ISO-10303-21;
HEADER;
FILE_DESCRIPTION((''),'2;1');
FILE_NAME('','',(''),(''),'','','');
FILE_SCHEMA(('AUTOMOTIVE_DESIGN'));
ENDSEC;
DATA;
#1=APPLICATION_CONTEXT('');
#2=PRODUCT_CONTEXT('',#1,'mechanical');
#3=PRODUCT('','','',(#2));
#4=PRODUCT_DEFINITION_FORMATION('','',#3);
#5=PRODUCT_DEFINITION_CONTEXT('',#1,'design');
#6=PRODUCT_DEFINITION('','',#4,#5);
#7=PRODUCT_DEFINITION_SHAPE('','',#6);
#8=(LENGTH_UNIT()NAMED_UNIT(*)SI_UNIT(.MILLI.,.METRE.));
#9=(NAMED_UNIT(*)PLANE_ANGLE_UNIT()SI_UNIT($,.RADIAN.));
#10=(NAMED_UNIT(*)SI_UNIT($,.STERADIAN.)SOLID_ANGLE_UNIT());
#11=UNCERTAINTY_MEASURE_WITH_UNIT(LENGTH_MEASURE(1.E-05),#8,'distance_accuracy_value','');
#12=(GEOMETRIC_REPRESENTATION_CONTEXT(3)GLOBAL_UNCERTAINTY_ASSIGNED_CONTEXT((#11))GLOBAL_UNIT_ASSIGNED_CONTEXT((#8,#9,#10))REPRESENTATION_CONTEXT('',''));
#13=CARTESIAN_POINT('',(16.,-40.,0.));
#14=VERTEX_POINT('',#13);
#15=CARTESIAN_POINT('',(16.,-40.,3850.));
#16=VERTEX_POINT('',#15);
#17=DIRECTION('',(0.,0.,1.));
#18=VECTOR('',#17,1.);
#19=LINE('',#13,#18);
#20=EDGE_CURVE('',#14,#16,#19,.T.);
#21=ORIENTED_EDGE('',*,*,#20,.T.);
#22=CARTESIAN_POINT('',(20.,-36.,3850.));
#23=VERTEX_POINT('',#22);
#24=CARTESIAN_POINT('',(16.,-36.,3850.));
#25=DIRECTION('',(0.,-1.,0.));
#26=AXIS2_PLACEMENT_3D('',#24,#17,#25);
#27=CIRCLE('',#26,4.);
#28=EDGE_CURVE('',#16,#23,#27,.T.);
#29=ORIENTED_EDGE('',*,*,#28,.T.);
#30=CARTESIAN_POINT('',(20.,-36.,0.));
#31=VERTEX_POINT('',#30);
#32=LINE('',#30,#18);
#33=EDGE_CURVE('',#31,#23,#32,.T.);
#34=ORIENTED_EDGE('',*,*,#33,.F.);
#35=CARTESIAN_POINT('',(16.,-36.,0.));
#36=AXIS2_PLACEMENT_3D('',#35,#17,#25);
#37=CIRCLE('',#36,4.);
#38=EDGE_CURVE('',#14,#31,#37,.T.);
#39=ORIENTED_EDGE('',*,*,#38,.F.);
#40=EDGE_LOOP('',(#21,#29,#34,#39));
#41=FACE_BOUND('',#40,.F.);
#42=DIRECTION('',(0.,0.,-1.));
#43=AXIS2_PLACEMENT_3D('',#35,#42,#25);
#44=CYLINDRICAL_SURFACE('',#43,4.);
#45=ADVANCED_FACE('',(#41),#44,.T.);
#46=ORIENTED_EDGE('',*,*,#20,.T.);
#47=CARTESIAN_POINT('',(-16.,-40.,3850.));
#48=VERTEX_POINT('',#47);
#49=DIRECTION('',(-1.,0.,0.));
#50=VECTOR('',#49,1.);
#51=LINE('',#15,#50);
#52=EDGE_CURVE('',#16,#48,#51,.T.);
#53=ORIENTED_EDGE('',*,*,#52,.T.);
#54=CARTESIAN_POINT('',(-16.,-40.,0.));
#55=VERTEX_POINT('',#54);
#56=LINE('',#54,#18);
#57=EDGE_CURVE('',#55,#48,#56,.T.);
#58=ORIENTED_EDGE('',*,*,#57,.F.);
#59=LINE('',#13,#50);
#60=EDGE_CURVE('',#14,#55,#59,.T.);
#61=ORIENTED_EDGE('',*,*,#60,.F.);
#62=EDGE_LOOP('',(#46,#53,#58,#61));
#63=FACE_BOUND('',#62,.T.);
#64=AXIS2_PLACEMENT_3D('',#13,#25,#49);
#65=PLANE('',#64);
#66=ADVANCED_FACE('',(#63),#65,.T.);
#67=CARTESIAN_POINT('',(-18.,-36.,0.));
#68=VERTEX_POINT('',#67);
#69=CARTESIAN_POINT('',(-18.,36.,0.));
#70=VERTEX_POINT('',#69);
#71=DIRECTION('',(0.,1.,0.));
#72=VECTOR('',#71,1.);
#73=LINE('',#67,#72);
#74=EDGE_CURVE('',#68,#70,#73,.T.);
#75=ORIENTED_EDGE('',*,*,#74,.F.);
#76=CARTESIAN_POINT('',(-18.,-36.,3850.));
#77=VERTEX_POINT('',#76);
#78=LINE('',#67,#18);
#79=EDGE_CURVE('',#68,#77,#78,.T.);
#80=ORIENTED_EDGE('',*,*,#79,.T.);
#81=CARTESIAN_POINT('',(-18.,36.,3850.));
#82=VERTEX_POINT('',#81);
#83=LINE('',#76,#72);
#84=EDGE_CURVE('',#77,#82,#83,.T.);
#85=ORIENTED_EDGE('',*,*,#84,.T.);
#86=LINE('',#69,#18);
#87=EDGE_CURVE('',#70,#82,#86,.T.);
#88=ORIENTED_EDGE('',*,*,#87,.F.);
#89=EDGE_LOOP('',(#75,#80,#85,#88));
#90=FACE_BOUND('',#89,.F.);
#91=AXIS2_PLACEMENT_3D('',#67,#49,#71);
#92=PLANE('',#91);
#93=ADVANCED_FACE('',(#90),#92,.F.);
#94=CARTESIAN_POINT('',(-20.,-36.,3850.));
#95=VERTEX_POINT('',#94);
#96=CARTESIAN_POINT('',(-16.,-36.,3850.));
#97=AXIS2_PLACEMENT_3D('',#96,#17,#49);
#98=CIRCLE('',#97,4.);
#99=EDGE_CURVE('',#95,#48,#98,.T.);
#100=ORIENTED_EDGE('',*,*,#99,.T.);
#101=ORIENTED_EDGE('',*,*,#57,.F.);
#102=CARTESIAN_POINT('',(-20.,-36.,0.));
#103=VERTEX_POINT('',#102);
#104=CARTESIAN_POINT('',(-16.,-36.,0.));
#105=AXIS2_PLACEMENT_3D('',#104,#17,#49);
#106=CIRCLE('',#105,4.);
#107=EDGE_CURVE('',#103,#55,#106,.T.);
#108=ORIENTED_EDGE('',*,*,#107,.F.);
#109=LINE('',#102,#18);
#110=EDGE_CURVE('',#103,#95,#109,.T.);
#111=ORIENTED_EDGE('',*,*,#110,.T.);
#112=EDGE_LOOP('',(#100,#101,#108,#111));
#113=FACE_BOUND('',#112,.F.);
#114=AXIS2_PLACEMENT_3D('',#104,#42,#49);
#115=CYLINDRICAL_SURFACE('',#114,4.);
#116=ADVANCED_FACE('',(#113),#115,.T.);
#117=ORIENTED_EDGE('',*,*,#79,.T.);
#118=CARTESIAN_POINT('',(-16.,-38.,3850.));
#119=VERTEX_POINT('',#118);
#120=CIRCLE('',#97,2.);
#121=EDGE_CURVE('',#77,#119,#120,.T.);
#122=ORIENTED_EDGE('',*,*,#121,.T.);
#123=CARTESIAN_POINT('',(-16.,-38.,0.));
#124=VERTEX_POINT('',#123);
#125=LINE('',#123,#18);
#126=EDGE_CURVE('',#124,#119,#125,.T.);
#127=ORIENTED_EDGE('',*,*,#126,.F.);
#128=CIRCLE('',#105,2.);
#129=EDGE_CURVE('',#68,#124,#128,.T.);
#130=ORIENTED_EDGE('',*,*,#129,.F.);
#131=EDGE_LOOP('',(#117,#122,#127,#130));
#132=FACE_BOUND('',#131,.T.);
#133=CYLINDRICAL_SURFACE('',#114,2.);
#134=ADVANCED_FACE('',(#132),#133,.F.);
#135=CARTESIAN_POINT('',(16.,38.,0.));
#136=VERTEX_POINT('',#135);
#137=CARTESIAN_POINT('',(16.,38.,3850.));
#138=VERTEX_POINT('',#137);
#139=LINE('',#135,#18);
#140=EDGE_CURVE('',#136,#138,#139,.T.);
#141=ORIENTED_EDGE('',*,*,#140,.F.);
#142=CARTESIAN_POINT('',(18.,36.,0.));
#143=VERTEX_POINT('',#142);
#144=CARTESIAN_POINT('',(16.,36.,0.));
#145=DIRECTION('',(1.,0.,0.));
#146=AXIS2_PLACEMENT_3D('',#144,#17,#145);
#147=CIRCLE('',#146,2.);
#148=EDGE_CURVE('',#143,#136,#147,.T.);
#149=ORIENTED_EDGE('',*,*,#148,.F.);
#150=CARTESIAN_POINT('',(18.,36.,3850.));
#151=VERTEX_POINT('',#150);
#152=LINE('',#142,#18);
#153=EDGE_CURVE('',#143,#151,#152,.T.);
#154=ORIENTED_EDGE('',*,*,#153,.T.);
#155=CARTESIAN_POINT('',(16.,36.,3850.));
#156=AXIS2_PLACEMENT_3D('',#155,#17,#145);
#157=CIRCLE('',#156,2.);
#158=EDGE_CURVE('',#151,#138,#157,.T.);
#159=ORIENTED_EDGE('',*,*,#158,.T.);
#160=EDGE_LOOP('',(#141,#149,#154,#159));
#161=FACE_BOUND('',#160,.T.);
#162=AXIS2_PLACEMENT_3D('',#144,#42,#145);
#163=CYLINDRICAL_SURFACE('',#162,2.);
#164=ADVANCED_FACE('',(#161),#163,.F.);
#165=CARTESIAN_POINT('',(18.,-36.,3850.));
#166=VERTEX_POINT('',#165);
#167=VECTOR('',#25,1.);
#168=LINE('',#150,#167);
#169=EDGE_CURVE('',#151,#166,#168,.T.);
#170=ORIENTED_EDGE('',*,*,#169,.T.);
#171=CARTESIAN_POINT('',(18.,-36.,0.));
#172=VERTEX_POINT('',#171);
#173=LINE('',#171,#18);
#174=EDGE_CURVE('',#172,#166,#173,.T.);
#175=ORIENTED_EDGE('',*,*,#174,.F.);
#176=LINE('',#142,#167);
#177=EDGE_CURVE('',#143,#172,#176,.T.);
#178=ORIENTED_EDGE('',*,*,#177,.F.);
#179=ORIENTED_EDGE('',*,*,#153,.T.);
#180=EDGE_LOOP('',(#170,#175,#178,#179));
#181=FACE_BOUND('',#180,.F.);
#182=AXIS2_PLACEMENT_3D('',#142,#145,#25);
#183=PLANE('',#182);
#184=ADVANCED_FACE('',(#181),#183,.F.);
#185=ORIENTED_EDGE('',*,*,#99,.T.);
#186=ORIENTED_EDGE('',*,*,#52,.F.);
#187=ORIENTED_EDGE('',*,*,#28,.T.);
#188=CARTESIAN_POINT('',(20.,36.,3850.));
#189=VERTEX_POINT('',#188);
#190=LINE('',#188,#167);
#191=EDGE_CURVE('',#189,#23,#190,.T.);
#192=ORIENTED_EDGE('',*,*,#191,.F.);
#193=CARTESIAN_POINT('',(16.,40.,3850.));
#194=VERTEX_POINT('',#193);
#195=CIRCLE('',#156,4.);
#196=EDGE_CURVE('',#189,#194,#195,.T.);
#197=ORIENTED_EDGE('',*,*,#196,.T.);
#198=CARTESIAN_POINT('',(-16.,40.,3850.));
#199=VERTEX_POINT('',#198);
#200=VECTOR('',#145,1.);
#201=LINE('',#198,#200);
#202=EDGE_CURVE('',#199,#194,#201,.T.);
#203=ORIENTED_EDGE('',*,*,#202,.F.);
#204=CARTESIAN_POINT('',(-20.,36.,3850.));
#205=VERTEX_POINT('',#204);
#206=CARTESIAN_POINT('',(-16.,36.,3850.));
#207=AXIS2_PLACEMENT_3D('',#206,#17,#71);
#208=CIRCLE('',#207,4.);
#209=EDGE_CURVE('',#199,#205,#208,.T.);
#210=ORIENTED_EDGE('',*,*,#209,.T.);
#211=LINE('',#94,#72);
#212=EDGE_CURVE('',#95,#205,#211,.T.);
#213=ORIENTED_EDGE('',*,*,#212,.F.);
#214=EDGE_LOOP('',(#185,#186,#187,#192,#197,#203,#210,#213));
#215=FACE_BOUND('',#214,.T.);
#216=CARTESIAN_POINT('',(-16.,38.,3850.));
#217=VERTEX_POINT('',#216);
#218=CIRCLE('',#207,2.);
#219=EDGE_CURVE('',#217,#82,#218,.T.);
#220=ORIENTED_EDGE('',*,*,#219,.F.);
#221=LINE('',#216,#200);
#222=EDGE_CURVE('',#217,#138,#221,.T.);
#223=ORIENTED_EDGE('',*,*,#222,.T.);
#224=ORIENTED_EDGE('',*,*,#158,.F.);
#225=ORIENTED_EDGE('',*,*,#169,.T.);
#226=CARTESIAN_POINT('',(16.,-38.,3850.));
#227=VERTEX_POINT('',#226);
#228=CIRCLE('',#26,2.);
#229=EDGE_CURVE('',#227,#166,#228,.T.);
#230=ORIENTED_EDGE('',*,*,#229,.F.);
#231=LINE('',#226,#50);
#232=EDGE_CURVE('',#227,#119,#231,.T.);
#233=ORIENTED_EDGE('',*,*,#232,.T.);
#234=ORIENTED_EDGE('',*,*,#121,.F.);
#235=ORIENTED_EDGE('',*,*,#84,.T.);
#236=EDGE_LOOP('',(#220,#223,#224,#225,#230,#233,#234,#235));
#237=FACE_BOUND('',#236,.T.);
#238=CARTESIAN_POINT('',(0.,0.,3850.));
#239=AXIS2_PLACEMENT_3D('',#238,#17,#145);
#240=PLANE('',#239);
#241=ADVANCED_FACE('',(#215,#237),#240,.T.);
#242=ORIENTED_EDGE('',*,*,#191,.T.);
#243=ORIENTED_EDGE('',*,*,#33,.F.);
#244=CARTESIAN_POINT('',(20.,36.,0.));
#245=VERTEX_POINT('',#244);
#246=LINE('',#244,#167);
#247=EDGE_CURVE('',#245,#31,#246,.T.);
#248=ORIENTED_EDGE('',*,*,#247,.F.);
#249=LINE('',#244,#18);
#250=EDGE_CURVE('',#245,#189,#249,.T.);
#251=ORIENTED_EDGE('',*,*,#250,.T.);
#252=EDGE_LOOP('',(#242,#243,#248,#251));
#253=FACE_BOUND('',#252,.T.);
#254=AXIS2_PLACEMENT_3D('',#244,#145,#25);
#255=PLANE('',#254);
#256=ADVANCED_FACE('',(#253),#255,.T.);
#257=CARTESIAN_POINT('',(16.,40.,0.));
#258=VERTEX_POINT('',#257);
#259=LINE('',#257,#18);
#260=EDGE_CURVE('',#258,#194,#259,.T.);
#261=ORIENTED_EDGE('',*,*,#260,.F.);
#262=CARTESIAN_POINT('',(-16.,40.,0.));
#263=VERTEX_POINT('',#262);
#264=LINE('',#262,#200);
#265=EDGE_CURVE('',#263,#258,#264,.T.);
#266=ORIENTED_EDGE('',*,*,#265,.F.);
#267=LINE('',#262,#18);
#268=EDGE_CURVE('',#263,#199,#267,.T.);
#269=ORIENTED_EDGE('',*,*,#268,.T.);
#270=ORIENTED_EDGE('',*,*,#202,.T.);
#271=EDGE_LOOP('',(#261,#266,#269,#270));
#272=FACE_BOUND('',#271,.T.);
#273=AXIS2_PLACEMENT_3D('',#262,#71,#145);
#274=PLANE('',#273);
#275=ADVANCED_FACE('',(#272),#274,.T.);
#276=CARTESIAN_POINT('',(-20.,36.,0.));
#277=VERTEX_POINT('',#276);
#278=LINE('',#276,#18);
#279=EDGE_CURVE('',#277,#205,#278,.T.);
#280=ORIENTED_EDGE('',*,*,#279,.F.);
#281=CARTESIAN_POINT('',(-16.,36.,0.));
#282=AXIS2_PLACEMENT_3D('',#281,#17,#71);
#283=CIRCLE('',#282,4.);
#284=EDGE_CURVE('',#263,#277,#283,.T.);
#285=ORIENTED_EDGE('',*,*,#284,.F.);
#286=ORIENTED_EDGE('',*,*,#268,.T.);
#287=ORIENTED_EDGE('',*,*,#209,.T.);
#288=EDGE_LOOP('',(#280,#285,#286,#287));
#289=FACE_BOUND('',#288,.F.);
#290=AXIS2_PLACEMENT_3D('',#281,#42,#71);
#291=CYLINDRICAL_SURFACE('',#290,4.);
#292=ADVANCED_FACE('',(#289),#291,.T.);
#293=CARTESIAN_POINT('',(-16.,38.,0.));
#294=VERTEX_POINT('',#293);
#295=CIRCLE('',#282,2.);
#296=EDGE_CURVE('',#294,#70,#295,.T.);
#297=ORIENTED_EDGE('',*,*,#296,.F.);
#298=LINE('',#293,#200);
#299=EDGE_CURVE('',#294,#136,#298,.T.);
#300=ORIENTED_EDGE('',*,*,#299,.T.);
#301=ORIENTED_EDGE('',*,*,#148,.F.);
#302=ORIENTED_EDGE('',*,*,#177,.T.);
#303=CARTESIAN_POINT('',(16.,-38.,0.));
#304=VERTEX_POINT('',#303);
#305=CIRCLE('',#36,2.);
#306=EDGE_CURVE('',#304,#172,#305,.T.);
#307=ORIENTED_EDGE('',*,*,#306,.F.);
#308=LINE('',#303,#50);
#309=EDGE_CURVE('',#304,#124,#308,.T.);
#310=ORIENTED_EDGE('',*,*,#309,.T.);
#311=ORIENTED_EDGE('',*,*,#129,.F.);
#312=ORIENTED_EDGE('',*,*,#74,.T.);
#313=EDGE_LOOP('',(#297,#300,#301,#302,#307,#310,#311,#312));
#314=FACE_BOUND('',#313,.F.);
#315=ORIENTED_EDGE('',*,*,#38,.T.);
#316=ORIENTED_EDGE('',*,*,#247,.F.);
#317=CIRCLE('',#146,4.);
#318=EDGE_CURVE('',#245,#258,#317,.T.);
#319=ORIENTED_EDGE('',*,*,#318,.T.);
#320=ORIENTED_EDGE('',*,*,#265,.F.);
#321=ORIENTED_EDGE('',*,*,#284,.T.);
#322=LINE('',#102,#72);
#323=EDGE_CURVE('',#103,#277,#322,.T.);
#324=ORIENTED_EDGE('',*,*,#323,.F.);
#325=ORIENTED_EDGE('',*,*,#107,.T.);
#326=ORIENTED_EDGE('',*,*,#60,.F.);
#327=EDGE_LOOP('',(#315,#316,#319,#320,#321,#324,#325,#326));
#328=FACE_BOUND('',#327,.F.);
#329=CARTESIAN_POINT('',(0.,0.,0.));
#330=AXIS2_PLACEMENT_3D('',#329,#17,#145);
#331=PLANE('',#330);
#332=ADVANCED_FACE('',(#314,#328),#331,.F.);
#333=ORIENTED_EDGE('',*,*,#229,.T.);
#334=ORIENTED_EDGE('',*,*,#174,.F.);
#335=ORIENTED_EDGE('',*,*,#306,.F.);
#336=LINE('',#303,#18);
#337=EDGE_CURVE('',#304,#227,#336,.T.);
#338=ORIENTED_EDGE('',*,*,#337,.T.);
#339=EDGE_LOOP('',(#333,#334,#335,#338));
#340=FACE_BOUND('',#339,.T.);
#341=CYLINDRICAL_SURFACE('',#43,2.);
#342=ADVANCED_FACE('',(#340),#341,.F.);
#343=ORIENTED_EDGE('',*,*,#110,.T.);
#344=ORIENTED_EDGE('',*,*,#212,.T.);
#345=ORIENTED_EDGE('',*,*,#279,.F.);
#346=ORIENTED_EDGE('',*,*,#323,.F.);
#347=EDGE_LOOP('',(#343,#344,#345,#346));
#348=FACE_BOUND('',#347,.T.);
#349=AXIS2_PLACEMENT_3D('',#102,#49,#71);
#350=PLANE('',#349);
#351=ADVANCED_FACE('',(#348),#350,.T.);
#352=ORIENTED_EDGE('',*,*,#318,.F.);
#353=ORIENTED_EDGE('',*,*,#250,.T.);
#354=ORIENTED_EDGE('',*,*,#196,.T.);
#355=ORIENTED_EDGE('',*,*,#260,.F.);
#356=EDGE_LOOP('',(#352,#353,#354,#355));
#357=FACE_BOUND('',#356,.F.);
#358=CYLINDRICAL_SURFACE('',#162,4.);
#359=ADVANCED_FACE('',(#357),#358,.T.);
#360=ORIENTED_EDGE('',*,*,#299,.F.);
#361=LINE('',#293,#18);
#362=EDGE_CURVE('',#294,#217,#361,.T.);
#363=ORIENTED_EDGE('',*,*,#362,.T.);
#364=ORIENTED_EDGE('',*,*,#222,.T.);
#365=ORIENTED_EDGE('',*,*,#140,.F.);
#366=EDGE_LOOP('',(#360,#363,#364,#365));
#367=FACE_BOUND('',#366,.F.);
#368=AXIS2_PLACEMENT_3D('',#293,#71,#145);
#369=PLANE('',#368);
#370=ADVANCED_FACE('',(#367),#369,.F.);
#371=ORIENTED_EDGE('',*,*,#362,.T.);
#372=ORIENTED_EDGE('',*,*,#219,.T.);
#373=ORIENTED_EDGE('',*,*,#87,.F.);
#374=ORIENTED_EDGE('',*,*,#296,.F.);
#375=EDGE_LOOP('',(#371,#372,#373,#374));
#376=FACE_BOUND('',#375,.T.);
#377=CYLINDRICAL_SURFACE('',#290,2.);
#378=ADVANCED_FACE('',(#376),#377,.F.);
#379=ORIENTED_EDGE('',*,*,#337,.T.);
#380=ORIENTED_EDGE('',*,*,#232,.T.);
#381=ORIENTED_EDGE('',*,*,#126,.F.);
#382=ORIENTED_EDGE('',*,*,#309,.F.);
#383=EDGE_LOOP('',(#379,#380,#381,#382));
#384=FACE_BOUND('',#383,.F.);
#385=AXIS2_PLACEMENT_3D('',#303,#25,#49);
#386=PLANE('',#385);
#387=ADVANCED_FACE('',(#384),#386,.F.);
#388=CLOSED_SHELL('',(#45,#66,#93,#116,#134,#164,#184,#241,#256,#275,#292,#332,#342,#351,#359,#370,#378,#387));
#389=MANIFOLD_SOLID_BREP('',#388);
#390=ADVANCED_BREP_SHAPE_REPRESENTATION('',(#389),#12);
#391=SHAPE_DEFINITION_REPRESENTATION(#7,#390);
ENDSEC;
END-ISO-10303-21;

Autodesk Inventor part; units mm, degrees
ref_plane "YZ Plane" through (0, 0, 0) normal (1, 0, 0) x (0, 1, 0)
ref_plane "Start Plane" through (0, 0, 0) normal (0, 0, 1) x (1, 0, 0)
ref_plane "End Plane" through (0, 0, 3850) normal (0, 0, 1) x (1, 0, 0)
sketch "Sketch" plane through (0, 0, 0) normal (0, 0, 1) x (1, 0, 0)
  line L0 (-20, -36) -> (-20, 36)
  line L1 (-16, 40) -> (16, 40)
  line L2 (20, 36) -> (20, -36)
  line L3 (16, -40) -> (-16, -40)
  arc A0 (-20, -36) -> (-16, -40) centre (-16, -36) ccw
  arc A1 (20, 36) -> (16, 40) centre (16, 36) ccw
  arc A2 (-16, 40) -> (-20, 36) centre (-16, 36) ccw
  arc A3 (16, -40) -> (20, -36) centre (16, -36) ccw
  arc A4 (-16, 38) -> (-18, 36) centre (-16, 36) ccw
  line L4 (-16, 38) -> (16, 38)
  arc A5 (18, 36) -> (16, 38) centre (16, 36) ccw
  line L5 (18, 36) -> (18, -36)
  arc A6 (16, -38) -> (18, -36) centre (16, -36) ccw
  line L6 (16, -38) -> (-16, -38)
  arc A7 (-18, -36) -> (-16, -38) centre (-16, -36) ccw
  line L7 (-18, -36) -> (-18, 36)
  line L8 (0, 57.1598) -> (0, -57.1598) construction
  line L9 (-29.1598, 0) -> (29.1598, 0) construction
  dimension "d7" = 4
  dimension "d9" = 40
  dimension "d11" = 80
  dimension "d12" = 2
  dimension "d15" = 20
  dimension "d16" = 40
extrude "Body" add sketch "Sketch" along normal up to surface (3850 mm away) from surface at 0
sketch "Sketch3" plane through (0, 0, 0) normal (0, 0, 1) x (1, 0, 0)
  line L0 (0, 0) -> (10, 0)
ref_plane "Work Plane3" through (0, 0, 0) normal (0, -1, 0) x (1, 0, 0)
sketch "Sketch4" plane through (0, 0, 0) normal (0, -1, 0) x (1, 0, 0)
  line L0 (-2, 0) -> (12, 0) projected
  line L1 (-2, 3850) -> (12, 3850) projected
  dimension "d18" = 3850
equation "\"d7\" = G_IR"
equation "\"d9\" = G_W"
equation "\"d11\" = G_H"
equation "\"d12\" = G_T"
equation "\"d15\" = 0.5 * d9"
equation "\"d16\" = 0.5 * d11"
equation "\"d3\" = G_L"
equation "\"G_W\" = 40"
equation "\"G_H\" = 80"
equation "\"G_T\" = 2"
equation "\"G_IR\" = 4"
equation "\"G_L\" = d18"
equation "\"G_OFFSET_START\" = 0"
equation "\"G_OFFSET_END\" = 0"
properties part number "ISO 4019 - 80x40x2 - 3850" material "Steel, Mild"
